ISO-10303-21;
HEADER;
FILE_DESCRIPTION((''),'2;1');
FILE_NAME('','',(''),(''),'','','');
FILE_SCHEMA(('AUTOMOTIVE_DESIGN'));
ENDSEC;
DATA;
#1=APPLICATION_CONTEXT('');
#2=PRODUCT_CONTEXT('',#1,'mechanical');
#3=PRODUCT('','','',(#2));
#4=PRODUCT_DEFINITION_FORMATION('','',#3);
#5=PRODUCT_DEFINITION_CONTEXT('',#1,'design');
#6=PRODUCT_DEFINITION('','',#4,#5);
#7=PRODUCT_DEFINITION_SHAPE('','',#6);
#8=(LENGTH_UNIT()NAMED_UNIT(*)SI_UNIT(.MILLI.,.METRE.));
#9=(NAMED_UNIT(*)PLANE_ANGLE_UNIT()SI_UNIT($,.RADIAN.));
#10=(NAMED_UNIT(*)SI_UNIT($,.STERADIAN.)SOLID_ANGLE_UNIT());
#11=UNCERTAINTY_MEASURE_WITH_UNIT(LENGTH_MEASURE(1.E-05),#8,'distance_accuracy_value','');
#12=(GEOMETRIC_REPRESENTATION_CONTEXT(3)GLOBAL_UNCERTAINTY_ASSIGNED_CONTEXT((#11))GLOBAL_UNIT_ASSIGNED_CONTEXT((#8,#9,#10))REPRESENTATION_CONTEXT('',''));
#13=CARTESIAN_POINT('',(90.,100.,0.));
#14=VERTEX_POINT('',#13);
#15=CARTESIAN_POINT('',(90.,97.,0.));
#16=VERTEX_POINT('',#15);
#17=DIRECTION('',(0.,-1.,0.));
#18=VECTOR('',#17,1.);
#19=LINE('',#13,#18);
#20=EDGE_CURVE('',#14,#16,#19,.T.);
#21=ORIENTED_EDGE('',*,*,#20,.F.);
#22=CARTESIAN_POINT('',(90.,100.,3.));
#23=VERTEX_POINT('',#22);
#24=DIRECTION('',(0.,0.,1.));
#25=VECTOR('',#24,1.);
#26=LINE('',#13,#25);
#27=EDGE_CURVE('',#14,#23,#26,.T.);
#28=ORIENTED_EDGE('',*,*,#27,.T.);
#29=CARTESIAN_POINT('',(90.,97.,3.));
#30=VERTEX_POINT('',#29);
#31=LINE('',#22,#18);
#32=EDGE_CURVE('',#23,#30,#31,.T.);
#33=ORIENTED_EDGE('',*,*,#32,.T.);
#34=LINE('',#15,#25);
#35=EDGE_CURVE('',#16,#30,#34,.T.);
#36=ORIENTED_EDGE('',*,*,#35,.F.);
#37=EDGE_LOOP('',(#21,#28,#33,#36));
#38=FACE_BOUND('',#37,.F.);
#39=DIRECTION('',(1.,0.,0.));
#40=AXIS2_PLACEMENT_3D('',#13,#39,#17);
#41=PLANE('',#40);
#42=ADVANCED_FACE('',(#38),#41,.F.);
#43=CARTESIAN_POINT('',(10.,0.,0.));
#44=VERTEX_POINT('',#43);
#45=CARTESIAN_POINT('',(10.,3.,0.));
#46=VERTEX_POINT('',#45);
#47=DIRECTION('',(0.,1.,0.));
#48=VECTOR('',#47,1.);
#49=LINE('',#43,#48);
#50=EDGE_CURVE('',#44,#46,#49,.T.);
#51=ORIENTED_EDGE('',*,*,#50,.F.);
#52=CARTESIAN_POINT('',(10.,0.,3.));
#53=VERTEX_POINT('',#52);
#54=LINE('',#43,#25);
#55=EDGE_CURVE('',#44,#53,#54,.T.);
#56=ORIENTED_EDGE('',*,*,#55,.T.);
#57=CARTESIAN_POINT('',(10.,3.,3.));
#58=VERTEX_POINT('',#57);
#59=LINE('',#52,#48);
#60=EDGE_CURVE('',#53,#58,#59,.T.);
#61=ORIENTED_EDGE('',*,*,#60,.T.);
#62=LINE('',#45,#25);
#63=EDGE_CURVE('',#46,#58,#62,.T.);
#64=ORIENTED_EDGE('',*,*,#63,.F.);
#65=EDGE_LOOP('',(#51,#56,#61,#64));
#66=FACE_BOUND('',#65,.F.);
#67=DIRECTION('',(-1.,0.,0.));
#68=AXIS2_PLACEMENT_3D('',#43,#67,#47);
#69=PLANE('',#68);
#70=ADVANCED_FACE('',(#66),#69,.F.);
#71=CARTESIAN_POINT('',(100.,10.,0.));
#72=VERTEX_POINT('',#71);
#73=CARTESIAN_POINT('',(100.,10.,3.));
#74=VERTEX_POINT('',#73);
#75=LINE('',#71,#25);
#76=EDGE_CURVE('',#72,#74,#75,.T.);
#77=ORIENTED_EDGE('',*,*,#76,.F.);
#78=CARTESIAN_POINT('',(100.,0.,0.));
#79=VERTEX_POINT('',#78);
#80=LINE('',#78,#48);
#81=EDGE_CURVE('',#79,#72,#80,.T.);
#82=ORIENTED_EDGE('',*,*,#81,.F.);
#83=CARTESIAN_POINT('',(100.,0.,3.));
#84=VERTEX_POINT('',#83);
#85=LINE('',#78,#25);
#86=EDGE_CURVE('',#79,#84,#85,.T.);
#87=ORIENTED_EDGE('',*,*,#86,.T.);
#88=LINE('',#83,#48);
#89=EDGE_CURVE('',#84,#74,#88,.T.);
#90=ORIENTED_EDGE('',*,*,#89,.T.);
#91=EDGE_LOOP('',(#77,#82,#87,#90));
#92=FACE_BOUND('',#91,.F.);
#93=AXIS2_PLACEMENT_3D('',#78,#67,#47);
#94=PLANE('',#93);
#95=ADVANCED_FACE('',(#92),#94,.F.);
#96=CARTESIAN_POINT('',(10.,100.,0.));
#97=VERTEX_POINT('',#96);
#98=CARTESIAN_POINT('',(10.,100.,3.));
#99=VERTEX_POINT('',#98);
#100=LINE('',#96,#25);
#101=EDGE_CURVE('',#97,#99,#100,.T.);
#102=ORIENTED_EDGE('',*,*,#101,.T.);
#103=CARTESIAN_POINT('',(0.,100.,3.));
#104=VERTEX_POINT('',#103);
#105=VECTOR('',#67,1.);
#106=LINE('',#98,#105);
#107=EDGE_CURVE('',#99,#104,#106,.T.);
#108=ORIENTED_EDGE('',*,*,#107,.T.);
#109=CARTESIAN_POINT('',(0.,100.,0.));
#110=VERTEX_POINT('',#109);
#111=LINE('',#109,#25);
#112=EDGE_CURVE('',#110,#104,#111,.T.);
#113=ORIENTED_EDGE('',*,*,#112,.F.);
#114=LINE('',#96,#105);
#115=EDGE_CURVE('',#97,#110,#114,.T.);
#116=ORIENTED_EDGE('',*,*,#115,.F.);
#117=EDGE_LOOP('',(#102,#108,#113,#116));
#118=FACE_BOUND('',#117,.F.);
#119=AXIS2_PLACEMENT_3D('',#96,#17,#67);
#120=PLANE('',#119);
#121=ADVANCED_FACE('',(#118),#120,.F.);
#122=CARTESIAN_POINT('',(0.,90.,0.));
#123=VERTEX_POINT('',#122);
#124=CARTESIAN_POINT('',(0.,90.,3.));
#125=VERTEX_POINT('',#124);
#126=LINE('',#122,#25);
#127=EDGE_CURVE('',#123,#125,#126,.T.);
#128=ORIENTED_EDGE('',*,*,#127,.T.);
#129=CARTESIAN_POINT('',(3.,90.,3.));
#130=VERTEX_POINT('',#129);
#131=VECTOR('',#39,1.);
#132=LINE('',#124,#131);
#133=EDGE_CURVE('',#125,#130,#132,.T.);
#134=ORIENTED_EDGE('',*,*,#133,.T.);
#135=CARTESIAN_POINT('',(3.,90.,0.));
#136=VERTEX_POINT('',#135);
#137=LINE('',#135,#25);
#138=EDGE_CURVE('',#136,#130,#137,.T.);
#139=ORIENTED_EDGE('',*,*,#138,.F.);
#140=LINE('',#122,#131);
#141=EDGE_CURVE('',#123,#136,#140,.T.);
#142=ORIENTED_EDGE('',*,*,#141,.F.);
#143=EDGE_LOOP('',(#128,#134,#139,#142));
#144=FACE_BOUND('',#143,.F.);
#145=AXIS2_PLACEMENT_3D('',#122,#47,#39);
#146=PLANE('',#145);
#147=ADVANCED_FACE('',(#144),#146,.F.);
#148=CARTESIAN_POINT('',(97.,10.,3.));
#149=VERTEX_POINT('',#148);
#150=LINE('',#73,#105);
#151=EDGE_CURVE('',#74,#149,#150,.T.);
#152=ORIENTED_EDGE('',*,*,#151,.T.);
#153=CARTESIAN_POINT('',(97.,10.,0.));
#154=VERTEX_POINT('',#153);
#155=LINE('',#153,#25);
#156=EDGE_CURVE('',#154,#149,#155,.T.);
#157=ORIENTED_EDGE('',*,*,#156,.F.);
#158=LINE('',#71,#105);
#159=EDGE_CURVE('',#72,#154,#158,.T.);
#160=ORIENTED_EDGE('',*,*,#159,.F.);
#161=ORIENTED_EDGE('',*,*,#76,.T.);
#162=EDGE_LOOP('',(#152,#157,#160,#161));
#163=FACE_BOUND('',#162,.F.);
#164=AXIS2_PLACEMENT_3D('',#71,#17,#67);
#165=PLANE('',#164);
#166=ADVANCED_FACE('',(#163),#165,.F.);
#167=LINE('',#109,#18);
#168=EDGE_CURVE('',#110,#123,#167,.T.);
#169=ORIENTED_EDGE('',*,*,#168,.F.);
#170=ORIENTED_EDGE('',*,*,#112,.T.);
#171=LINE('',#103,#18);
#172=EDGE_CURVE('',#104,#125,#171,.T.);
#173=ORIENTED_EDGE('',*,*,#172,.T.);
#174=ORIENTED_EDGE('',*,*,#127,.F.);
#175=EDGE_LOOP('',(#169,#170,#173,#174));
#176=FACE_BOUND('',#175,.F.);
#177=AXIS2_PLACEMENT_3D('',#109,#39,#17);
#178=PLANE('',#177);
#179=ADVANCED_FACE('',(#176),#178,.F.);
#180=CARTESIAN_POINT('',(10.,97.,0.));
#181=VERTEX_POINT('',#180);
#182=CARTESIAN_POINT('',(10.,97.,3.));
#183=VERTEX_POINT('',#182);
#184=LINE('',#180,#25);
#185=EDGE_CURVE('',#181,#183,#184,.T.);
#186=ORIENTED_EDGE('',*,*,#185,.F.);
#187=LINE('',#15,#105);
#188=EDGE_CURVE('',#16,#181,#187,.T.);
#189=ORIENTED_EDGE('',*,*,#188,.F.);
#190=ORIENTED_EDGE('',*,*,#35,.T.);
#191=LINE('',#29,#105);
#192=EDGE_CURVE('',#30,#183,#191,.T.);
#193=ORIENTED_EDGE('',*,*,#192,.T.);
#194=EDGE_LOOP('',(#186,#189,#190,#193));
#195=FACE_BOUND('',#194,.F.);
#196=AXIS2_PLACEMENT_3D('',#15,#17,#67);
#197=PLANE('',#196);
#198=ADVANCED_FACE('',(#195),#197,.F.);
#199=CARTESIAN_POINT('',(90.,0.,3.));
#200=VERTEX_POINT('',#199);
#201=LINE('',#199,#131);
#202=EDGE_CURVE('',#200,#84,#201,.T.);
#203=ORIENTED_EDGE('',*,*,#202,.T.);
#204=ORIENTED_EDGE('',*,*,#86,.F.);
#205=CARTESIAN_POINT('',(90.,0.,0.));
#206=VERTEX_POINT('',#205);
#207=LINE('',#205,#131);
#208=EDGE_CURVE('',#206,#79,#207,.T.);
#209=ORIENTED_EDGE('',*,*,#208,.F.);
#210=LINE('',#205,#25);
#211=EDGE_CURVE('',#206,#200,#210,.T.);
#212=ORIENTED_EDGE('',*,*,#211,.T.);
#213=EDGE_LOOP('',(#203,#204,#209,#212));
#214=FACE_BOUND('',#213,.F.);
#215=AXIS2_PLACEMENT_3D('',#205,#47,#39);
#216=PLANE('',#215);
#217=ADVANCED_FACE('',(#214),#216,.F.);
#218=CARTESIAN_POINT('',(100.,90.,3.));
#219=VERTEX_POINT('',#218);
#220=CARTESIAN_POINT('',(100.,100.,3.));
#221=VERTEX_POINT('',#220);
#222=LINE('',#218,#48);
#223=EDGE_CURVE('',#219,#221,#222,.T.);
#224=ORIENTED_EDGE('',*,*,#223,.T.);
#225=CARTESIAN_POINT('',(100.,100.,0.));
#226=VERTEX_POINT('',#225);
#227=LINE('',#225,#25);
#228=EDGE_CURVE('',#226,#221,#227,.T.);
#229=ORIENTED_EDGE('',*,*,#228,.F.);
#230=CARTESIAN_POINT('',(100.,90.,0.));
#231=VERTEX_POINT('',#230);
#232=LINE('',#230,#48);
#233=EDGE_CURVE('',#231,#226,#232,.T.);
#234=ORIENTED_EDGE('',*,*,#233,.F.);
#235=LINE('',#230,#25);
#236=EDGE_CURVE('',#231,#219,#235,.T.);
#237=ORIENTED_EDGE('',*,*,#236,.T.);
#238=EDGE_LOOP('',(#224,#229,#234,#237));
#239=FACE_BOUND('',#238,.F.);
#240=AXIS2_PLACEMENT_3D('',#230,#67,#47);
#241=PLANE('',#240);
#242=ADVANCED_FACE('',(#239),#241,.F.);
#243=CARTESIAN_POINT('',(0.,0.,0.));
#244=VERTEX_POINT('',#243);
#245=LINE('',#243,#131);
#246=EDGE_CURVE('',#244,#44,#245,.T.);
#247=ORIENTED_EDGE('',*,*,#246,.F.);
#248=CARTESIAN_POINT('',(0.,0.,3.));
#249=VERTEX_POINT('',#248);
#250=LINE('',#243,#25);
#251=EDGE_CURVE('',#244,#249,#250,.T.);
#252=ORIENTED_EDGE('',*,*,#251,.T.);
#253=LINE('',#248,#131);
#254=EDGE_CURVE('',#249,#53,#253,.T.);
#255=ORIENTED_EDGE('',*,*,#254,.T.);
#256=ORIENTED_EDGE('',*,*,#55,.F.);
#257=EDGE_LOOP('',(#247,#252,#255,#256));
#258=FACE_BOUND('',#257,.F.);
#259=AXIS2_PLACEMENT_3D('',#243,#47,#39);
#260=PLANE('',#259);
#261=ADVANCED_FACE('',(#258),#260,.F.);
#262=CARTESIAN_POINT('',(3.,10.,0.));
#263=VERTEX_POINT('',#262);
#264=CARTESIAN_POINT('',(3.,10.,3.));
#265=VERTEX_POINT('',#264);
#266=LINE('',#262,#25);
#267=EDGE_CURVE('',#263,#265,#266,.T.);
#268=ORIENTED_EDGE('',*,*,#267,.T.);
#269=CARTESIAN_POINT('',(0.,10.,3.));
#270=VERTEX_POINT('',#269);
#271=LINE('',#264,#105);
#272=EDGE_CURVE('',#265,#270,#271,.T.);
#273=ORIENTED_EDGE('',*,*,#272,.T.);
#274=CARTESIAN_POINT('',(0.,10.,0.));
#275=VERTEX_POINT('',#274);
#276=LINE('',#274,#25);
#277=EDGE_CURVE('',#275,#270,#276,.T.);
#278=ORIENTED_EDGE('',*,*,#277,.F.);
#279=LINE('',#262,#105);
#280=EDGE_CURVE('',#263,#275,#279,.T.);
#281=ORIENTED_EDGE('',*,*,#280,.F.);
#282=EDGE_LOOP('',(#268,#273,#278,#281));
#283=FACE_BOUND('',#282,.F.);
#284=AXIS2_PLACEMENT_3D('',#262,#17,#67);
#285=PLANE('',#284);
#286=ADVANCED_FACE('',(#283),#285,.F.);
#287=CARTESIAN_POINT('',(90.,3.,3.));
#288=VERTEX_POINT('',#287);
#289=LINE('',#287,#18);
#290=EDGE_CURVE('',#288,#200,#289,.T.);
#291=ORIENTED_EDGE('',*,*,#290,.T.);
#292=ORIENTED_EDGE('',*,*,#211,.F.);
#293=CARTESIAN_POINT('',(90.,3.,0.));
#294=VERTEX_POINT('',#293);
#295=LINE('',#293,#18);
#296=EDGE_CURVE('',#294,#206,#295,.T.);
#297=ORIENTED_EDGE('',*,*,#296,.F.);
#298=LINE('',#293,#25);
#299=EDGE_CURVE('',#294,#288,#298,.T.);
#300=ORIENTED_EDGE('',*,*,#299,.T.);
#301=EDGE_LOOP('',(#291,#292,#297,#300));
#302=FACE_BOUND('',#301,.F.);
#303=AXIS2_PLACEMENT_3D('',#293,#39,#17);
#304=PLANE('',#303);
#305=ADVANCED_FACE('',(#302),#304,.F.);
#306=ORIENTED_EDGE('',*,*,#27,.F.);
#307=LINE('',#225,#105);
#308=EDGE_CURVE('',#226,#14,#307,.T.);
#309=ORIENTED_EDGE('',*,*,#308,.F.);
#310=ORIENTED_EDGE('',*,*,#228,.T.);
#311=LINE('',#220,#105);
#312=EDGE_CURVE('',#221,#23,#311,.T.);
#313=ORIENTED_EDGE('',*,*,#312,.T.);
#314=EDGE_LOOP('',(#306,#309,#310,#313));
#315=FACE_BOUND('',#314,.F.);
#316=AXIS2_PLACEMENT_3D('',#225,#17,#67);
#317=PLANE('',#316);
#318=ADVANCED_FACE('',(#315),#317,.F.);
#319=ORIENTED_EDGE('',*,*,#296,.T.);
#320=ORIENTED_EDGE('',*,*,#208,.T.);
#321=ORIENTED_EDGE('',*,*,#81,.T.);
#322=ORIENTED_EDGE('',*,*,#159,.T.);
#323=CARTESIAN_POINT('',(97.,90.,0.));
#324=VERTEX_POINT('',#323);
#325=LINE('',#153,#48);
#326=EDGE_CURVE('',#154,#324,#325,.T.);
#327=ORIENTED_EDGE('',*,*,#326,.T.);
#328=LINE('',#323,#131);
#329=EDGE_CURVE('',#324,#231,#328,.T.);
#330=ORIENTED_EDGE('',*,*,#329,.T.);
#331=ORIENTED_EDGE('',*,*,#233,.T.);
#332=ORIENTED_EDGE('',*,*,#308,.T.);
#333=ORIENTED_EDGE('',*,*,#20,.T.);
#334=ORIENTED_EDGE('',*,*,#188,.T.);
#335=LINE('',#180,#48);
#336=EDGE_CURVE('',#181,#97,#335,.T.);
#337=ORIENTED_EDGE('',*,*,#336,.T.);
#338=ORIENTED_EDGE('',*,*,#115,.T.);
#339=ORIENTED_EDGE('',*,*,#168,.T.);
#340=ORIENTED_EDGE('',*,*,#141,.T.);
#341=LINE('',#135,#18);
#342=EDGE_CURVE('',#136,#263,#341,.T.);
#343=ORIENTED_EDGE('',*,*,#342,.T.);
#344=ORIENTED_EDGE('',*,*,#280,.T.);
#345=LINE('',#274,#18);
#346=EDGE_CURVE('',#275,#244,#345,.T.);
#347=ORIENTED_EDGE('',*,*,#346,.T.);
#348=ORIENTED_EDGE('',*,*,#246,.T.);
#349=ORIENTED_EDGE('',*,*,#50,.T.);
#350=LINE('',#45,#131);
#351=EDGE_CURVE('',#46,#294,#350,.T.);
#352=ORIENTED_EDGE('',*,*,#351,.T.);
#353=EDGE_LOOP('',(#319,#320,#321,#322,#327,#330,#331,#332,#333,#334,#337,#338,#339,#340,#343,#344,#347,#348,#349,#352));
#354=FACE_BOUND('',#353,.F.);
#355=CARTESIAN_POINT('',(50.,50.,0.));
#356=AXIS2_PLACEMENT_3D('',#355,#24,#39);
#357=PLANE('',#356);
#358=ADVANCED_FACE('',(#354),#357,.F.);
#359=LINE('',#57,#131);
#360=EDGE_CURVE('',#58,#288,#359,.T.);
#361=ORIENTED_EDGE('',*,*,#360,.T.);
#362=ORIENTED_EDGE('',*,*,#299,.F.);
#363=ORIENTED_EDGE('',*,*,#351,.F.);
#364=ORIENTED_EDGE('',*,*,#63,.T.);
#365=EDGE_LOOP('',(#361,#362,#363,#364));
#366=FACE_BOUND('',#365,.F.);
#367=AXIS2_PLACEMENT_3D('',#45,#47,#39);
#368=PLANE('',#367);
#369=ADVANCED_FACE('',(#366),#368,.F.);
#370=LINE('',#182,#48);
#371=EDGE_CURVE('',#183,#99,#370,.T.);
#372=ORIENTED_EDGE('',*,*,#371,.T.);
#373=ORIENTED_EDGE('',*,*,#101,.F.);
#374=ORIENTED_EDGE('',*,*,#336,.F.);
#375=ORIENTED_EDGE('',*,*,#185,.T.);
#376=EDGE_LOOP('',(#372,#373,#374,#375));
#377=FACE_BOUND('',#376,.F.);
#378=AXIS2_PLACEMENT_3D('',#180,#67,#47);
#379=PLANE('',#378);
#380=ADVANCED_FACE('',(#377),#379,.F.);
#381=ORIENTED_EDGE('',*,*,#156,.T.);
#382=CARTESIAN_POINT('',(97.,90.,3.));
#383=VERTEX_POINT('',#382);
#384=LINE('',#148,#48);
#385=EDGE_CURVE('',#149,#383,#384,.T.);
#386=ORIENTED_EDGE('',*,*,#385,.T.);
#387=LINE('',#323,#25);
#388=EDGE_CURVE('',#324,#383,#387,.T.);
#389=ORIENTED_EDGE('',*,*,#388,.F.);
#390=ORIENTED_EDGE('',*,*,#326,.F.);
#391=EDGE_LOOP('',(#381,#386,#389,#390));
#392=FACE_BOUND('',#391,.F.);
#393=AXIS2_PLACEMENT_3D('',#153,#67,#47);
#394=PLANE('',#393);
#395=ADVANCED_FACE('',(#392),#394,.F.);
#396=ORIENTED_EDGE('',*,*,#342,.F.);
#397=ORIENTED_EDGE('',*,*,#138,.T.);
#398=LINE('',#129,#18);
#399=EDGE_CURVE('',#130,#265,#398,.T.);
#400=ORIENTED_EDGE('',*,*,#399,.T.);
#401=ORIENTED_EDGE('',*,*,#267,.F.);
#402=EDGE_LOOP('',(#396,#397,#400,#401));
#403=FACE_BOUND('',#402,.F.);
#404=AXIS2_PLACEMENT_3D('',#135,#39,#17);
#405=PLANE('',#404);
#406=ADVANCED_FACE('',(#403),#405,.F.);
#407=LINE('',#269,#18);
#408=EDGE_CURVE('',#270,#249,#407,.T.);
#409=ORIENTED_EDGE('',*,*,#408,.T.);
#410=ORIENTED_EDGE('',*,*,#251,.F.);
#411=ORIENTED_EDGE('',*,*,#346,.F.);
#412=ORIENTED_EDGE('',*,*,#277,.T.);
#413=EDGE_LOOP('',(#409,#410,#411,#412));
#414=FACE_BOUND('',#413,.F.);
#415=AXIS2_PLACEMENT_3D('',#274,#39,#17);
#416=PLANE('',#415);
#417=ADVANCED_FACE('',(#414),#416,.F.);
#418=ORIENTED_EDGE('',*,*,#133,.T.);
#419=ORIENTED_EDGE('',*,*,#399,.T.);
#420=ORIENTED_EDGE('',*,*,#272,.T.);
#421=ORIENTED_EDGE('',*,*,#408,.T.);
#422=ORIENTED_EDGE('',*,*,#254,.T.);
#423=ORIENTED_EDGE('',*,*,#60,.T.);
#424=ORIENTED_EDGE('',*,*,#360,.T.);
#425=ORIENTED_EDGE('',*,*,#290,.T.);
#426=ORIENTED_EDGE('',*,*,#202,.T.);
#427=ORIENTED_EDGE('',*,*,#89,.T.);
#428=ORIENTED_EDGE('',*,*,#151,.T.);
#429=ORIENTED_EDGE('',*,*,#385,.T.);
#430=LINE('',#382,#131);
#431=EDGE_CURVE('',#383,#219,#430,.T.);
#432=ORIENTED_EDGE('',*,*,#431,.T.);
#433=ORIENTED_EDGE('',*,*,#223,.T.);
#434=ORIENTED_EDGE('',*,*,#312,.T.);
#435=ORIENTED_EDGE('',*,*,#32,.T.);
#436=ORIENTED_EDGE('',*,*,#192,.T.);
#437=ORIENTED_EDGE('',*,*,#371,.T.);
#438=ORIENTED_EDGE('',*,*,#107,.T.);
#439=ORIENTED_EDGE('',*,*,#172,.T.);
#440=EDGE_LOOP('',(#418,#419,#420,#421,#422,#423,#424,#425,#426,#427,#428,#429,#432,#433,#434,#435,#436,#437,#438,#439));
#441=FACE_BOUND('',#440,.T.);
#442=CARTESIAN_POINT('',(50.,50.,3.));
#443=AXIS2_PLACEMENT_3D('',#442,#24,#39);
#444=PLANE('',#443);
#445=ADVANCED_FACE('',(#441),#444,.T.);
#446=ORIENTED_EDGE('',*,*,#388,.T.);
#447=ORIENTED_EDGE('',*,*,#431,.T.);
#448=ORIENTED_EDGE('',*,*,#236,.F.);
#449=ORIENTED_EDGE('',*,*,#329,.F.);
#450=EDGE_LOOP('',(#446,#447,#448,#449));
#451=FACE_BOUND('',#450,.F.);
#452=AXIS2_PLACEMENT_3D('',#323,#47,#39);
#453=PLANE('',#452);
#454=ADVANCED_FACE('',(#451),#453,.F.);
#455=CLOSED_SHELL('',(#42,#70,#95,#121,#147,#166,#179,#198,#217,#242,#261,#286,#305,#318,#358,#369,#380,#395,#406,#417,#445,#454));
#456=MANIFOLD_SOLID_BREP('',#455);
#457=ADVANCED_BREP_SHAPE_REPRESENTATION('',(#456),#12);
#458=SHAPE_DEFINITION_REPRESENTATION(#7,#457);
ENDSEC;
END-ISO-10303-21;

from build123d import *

# Parameters (mm, degrees)
F1_DEPTH = 3


with BuildPart() as f1:
    # F0 (on Top) → F1 (new body)
    with BuildSketch(Plane.XY):
        Polygon((0, 10), (0, 0), (10, 0), (10, 3), (90, 3), (90, 0), (100, 0), (100, 10), (97, 10), (97, 90), (100, 90), (100, 100), (90, 100), (90, 97), (10, 97), (10, 100), (0, 100), (0, 90), (3, 90), (3, 10), align=None)
    extrude(amount=F1_DEPTH)


solid = f1.part
